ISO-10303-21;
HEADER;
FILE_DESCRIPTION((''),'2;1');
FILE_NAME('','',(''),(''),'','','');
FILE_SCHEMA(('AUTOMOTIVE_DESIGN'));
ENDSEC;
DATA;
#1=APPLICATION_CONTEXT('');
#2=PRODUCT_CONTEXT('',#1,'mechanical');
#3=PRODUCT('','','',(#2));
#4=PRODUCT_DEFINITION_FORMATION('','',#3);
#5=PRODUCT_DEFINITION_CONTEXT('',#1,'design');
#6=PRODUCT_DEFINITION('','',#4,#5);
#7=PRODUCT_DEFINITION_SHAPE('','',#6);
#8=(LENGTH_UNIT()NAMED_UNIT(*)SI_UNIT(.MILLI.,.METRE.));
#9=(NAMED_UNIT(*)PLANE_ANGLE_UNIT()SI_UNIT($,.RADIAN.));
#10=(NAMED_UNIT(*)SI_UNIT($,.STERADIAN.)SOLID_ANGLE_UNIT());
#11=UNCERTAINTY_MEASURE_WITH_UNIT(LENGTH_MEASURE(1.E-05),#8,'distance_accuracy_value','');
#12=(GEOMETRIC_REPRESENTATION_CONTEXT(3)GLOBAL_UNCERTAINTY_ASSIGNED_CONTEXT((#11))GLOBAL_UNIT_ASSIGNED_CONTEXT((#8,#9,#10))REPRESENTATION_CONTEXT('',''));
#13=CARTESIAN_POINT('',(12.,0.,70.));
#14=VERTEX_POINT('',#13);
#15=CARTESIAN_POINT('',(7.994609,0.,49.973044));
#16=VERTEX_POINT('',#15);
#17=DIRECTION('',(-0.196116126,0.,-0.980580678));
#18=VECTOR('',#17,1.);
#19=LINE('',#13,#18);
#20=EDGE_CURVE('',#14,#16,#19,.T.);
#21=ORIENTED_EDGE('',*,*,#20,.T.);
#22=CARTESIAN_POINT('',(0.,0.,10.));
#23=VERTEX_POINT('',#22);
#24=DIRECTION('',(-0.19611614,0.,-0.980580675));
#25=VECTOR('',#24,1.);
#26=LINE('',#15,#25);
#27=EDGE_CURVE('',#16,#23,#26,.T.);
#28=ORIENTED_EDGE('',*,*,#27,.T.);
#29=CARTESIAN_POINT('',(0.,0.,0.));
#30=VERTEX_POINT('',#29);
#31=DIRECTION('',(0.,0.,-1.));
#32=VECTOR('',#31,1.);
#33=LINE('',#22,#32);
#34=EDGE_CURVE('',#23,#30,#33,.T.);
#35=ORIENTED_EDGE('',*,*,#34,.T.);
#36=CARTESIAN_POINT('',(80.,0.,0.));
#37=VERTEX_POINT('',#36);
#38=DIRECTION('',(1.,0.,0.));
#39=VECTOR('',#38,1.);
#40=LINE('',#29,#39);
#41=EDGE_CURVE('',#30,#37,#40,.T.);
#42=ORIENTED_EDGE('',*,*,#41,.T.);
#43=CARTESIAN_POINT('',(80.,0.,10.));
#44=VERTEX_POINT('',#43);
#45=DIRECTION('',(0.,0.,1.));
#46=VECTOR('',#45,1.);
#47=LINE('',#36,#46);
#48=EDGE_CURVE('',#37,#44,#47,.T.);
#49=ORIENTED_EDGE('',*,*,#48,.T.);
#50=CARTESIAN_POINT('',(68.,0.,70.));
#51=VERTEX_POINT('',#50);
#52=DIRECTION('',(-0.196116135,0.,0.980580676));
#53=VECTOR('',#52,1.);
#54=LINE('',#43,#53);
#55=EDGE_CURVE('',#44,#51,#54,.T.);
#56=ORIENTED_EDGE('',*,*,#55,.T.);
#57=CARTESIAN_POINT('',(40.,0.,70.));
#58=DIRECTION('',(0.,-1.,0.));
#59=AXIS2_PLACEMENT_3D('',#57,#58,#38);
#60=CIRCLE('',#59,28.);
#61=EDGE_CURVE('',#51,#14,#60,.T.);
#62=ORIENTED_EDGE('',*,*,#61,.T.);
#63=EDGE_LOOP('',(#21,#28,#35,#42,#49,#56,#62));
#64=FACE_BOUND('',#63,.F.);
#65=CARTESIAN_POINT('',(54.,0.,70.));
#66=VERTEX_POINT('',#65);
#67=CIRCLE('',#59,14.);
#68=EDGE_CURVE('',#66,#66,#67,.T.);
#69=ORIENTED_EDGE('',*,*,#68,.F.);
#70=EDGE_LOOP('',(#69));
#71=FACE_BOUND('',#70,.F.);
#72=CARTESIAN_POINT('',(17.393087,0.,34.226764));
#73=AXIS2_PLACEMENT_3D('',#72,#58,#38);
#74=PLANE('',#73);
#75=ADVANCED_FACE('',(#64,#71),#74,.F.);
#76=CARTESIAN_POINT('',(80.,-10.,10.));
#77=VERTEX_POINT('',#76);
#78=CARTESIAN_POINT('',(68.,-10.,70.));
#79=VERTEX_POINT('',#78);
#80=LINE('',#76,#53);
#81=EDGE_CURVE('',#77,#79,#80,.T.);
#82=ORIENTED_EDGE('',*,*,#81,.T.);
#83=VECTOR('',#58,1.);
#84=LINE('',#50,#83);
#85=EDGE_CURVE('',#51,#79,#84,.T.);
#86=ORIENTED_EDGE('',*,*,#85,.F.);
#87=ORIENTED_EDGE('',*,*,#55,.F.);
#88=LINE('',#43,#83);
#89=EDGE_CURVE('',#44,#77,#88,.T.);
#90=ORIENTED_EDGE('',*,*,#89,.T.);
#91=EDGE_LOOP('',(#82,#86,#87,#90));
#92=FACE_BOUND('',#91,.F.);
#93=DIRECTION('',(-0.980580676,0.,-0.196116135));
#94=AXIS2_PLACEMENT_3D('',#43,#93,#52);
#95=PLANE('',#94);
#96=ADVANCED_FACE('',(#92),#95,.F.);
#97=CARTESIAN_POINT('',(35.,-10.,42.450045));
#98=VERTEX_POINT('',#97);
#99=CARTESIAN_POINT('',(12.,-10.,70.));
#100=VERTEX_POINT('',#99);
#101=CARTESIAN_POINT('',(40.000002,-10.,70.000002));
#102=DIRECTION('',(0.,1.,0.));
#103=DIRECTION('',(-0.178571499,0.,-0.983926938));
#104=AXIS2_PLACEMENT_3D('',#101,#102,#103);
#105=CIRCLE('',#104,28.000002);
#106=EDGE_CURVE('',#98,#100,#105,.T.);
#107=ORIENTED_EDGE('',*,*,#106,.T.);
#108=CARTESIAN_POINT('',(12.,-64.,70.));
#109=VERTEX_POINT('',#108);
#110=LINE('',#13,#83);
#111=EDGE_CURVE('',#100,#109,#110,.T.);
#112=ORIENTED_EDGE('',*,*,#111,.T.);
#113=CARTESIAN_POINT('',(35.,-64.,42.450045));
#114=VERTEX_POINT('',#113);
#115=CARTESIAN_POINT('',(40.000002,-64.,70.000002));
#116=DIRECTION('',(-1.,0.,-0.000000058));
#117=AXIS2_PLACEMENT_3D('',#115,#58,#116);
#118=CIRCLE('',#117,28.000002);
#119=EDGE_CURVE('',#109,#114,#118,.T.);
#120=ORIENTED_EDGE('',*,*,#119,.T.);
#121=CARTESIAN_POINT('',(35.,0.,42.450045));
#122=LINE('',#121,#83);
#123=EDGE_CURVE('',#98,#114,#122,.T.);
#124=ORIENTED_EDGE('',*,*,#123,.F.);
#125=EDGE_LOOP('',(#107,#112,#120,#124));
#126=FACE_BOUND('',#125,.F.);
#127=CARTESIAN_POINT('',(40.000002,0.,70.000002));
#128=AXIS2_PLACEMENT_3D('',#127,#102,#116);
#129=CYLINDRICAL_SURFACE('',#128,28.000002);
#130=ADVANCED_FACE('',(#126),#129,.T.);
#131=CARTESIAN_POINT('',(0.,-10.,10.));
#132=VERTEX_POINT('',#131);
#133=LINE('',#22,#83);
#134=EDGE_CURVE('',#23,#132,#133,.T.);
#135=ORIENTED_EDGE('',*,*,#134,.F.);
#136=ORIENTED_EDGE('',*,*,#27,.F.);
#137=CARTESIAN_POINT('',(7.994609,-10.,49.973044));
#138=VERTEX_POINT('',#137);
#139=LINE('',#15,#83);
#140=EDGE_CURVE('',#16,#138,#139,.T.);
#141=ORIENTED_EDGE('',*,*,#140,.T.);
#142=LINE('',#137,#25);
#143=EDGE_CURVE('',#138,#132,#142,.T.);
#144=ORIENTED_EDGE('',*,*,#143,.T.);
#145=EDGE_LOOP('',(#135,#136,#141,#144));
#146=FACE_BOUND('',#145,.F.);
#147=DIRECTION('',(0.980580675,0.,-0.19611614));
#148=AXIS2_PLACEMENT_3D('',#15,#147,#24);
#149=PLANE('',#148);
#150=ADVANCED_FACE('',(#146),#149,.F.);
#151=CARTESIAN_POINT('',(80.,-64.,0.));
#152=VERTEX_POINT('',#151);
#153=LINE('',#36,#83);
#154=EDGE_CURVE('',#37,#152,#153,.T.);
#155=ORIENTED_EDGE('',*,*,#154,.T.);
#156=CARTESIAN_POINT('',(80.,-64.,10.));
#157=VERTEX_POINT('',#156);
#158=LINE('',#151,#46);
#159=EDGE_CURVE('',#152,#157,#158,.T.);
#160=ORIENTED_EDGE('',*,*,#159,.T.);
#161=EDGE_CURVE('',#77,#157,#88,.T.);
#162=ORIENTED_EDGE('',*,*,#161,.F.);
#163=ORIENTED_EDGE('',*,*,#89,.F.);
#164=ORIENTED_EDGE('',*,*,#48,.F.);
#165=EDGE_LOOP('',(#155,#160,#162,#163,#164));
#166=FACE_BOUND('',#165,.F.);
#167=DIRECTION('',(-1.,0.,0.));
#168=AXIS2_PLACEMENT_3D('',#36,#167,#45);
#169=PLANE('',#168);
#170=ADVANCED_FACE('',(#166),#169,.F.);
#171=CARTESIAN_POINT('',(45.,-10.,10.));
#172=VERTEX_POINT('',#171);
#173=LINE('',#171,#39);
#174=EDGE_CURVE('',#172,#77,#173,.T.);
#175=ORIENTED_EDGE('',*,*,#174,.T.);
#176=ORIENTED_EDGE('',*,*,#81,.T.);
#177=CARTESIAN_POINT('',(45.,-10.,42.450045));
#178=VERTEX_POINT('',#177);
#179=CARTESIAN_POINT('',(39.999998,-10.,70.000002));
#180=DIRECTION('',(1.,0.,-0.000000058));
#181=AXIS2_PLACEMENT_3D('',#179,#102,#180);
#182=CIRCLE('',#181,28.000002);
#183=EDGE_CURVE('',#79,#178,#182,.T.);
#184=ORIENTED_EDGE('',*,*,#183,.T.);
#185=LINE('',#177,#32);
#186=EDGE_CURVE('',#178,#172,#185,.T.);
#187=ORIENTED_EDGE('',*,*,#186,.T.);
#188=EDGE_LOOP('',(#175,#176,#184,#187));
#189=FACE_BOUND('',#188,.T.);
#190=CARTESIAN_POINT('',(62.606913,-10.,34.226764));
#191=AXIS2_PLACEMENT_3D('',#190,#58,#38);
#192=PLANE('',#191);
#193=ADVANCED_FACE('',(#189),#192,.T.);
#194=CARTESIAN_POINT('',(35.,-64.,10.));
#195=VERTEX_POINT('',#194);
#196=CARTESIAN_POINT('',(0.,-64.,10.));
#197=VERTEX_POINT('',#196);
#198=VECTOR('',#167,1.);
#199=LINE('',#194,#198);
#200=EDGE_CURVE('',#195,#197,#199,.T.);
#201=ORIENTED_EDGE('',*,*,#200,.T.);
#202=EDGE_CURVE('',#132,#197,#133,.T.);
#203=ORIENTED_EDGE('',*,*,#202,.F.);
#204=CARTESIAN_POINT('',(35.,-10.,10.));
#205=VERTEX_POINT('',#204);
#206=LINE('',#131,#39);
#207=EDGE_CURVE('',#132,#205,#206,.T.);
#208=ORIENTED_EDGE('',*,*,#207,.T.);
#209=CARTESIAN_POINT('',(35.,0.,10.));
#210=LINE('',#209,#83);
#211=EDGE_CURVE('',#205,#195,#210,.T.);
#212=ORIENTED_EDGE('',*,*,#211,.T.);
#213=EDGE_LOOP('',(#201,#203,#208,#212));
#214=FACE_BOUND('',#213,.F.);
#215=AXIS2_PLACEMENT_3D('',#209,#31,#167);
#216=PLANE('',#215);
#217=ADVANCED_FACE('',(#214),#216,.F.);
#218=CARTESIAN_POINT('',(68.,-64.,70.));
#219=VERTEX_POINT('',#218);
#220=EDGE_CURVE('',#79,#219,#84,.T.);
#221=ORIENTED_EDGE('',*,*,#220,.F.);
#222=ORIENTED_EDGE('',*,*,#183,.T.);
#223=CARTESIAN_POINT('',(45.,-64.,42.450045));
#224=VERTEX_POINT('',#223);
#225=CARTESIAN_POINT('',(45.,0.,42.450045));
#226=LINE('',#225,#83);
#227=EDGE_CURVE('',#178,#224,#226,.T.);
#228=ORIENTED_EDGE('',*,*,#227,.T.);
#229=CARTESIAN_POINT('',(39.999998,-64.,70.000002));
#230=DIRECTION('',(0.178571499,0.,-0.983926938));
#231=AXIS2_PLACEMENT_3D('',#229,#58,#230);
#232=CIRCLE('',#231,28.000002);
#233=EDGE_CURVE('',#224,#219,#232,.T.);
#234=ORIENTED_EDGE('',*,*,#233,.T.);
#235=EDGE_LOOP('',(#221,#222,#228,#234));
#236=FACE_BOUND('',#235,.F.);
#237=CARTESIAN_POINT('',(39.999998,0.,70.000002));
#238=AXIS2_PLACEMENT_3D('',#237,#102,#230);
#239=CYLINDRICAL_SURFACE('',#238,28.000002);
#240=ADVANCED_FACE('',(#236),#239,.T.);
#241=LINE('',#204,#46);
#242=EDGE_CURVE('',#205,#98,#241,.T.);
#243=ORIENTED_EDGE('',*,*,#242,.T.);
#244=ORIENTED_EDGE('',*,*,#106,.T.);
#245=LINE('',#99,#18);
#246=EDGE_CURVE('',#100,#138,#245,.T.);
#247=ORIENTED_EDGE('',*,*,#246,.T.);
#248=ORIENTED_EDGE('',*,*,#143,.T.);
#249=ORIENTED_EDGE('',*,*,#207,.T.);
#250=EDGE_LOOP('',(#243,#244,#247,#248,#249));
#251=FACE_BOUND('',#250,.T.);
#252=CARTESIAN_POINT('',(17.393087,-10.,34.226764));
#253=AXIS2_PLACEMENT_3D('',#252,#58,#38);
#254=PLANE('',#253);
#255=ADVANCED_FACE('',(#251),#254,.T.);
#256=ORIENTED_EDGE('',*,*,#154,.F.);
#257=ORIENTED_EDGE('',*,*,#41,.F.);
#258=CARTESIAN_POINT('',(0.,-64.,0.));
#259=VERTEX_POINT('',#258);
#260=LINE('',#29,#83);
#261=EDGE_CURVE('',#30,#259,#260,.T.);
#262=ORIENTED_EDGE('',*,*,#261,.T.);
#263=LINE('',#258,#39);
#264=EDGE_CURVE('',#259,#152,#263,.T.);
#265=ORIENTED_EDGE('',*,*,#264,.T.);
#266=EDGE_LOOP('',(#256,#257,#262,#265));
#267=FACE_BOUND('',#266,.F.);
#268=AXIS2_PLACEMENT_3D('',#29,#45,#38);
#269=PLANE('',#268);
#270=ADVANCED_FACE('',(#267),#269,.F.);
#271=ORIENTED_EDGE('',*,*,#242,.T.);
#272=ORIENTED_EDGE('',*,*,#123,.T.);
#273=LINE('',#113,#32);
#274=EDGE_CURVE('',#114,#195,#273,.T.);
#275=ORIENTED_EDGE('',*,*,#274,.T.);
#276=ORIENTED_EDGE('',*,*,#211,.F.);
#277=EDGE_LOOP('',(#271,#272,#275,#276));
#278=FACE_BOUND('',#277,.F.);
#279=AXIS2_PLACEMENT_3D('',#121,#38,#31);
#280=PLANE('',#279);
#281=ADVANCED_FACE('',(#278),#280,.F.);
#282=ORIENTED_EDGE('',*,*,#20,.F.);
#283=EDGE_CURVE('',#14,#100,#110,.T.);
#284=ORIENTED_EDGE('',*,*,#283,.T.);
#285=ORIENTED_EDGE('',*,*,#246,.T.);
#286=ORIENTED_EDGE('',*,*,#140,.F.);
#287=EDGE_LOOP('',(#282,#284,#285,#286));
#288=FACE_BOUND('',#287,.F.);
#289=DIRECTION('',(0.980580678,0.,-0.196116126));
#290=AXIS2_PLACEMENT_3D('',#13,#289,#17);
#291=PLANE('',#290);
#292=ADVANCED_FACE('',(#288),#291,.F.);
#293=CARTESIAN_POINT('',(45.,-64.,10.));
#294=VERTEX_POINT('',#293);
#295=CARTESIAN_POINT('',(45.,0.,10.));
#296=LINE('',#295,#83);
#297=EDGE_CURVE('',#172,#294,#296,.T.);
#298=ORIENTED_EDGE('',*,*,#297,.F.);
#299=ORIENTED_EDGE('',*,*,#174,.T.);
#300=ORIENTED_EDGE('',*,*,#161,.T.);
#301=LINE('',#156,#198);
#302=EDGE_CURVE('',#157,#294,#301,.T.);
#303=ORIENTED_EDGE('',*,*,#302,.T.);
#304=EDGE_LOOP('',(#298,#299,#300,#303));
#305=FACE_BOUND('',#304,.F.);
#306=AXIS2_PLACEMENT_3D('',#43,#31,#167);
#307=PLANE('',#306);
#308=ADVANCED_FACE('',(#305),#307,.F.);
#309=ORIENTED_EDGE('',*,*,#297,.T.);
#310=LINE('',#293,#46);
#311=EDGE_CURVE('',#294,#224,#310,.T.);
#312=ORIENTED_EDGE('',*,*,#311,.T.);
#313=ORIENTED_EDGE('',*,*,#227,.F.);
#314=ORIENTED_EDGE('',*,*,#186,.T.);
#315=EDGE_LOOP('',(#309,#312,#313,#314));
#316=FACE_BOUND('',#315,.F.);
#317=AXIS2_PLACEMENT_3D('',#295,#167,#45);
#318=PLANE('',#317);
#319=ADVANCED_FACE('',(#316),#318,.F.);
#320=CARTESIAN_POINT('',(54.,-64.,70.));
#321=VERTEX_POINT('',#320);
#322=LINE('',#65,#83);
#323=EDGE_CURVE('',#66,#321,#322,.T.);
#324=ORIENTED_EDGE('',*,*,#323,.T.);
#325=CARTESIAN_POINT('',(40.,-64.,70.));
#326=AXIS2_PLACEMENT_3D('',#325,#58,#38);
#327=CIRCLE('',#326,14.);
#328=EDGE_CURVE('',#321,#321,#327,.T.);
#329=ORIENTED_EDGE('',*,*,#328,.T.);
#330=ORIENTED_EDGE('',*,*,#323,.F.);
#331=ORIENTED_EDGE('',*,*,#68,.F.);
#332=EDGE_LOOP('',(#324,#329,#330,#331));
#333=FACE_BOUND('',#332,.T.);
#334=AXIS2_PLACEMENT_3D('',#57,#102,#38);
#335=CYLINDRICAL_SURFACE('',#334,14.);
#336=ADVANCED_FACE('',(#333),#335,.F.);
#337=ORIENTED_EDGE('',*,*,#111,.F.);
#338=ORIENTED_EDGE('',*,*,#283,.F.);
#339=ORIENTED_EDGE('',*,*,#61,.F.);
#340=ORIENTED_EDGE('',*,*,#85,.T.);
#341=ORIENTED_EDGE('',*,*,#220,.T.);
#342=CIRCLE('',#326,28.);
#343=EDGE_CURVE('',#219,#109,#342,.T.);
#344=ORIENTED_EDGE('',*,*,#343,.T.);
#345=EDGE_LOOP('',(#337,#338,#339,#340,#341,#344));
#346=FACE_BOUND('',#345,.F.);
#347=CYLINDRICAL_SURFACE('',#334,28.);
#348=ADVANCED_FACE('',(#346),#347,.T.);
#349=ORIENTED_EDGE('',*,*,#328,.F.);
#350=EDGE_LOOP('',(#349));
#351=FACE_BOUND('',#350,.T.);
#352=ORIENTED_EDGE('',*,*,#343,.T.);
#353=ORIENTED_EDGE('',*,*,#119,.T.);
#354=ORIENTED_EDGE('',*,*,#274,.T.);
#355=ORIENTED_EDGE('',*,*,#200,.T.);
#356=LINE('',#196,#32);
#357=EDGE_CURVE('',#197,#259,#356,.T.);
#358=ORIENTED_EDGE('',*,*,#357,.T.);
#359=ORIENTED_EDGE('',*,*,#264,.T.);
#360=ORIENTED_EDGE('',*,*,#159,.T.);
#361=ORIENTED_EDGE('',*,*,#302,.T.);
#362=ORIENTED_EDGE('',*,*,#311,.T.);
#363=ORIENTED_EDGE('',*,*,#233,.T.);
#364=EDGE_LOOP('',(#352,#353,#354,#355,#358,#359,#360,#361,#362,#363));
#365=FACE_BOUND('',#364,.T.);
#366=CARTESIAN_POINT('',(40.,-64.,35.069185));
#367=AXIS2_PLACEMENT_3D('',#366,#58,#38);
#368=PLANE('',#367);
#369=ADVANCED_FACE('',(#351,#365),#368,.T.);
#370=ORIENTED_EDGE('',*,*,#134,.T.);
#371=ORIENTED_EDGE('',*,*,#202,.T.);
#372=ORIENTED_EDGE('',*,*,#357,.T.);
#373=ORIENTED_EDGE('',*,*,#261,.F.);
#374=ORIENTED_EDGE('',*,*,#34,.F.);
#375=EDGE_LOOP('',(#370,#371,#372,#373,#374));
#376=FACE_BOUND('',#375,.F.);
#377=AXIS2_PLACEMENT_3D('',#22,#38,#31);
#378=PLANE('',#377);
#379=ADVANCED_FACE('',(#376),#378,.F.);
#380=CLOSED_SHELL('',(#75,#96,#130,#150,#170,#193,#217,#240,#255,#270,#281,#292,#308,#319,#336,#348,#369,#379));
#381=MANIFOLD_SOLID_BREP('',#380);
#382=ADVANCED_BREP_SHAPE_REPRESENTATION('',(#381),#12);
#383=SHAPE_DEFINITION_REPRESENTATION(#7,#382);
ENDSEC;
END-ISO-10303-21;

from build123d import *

# Parameters (mm, degrees)
F0_R     = 14
F1_DEPTH = 64
F2_DEPTH = 10


with BuildPart() as f1:
    # F0 (on Front) → F1 (new body)
    with BuildSketch(Plane.XZ):
        with BuildLine():
            Line((0, 10), (0, 0))
            Line((0, 0), (80, 0))
            Line((80, 0), (80, 10))
            Line((80, 10), (45, 10))
            Line((45, 10), (45, 42.450045))
            ThreePointArc((45, 42.450045), (61.494185, 52.055642), (68, 70))
            ThreePointArc((68, 70), (40, 98), (12, 70))
            ThreePointArc((12, 70), (18.505815, 52.055642), (35, 42.450045))
            Line((35, 42.450045), (35, 10))
            Line((35, 10), (0, 10))
        make_face()
        with Locations((40, 70)):
            Circle(F0_R, mode=Mode.SUBTRACT)
    extrude(amount=F1_DEPTH)

    # F0 (on Front) → F2 (join)
    with BuildSketch(Plane.XZ):
        with BuildLine():
            Line((7.994609, 49.973044), (0, 10))
            Line((0, 10), (35, 10))
            Line((35, 10), (35, 42.450045))
            ThreePointArc((35, 42.450045), (18.505815, 52.055642), (12, 70))
            Line((12, 70), (7.994609, 49.973044))
        make_face()
        with BuildLine():
            Line((45, 10), (80, 10))
            Line((80, 10), (68, 70))
            ThreePointArc((68, 70), (61.494185, 52.055642), (45, 42.450045))
            Line((45, 42.450045), (45, 10))
        make_face()
    extrude(amount=F2_DEPTH)


solid = f1.part
